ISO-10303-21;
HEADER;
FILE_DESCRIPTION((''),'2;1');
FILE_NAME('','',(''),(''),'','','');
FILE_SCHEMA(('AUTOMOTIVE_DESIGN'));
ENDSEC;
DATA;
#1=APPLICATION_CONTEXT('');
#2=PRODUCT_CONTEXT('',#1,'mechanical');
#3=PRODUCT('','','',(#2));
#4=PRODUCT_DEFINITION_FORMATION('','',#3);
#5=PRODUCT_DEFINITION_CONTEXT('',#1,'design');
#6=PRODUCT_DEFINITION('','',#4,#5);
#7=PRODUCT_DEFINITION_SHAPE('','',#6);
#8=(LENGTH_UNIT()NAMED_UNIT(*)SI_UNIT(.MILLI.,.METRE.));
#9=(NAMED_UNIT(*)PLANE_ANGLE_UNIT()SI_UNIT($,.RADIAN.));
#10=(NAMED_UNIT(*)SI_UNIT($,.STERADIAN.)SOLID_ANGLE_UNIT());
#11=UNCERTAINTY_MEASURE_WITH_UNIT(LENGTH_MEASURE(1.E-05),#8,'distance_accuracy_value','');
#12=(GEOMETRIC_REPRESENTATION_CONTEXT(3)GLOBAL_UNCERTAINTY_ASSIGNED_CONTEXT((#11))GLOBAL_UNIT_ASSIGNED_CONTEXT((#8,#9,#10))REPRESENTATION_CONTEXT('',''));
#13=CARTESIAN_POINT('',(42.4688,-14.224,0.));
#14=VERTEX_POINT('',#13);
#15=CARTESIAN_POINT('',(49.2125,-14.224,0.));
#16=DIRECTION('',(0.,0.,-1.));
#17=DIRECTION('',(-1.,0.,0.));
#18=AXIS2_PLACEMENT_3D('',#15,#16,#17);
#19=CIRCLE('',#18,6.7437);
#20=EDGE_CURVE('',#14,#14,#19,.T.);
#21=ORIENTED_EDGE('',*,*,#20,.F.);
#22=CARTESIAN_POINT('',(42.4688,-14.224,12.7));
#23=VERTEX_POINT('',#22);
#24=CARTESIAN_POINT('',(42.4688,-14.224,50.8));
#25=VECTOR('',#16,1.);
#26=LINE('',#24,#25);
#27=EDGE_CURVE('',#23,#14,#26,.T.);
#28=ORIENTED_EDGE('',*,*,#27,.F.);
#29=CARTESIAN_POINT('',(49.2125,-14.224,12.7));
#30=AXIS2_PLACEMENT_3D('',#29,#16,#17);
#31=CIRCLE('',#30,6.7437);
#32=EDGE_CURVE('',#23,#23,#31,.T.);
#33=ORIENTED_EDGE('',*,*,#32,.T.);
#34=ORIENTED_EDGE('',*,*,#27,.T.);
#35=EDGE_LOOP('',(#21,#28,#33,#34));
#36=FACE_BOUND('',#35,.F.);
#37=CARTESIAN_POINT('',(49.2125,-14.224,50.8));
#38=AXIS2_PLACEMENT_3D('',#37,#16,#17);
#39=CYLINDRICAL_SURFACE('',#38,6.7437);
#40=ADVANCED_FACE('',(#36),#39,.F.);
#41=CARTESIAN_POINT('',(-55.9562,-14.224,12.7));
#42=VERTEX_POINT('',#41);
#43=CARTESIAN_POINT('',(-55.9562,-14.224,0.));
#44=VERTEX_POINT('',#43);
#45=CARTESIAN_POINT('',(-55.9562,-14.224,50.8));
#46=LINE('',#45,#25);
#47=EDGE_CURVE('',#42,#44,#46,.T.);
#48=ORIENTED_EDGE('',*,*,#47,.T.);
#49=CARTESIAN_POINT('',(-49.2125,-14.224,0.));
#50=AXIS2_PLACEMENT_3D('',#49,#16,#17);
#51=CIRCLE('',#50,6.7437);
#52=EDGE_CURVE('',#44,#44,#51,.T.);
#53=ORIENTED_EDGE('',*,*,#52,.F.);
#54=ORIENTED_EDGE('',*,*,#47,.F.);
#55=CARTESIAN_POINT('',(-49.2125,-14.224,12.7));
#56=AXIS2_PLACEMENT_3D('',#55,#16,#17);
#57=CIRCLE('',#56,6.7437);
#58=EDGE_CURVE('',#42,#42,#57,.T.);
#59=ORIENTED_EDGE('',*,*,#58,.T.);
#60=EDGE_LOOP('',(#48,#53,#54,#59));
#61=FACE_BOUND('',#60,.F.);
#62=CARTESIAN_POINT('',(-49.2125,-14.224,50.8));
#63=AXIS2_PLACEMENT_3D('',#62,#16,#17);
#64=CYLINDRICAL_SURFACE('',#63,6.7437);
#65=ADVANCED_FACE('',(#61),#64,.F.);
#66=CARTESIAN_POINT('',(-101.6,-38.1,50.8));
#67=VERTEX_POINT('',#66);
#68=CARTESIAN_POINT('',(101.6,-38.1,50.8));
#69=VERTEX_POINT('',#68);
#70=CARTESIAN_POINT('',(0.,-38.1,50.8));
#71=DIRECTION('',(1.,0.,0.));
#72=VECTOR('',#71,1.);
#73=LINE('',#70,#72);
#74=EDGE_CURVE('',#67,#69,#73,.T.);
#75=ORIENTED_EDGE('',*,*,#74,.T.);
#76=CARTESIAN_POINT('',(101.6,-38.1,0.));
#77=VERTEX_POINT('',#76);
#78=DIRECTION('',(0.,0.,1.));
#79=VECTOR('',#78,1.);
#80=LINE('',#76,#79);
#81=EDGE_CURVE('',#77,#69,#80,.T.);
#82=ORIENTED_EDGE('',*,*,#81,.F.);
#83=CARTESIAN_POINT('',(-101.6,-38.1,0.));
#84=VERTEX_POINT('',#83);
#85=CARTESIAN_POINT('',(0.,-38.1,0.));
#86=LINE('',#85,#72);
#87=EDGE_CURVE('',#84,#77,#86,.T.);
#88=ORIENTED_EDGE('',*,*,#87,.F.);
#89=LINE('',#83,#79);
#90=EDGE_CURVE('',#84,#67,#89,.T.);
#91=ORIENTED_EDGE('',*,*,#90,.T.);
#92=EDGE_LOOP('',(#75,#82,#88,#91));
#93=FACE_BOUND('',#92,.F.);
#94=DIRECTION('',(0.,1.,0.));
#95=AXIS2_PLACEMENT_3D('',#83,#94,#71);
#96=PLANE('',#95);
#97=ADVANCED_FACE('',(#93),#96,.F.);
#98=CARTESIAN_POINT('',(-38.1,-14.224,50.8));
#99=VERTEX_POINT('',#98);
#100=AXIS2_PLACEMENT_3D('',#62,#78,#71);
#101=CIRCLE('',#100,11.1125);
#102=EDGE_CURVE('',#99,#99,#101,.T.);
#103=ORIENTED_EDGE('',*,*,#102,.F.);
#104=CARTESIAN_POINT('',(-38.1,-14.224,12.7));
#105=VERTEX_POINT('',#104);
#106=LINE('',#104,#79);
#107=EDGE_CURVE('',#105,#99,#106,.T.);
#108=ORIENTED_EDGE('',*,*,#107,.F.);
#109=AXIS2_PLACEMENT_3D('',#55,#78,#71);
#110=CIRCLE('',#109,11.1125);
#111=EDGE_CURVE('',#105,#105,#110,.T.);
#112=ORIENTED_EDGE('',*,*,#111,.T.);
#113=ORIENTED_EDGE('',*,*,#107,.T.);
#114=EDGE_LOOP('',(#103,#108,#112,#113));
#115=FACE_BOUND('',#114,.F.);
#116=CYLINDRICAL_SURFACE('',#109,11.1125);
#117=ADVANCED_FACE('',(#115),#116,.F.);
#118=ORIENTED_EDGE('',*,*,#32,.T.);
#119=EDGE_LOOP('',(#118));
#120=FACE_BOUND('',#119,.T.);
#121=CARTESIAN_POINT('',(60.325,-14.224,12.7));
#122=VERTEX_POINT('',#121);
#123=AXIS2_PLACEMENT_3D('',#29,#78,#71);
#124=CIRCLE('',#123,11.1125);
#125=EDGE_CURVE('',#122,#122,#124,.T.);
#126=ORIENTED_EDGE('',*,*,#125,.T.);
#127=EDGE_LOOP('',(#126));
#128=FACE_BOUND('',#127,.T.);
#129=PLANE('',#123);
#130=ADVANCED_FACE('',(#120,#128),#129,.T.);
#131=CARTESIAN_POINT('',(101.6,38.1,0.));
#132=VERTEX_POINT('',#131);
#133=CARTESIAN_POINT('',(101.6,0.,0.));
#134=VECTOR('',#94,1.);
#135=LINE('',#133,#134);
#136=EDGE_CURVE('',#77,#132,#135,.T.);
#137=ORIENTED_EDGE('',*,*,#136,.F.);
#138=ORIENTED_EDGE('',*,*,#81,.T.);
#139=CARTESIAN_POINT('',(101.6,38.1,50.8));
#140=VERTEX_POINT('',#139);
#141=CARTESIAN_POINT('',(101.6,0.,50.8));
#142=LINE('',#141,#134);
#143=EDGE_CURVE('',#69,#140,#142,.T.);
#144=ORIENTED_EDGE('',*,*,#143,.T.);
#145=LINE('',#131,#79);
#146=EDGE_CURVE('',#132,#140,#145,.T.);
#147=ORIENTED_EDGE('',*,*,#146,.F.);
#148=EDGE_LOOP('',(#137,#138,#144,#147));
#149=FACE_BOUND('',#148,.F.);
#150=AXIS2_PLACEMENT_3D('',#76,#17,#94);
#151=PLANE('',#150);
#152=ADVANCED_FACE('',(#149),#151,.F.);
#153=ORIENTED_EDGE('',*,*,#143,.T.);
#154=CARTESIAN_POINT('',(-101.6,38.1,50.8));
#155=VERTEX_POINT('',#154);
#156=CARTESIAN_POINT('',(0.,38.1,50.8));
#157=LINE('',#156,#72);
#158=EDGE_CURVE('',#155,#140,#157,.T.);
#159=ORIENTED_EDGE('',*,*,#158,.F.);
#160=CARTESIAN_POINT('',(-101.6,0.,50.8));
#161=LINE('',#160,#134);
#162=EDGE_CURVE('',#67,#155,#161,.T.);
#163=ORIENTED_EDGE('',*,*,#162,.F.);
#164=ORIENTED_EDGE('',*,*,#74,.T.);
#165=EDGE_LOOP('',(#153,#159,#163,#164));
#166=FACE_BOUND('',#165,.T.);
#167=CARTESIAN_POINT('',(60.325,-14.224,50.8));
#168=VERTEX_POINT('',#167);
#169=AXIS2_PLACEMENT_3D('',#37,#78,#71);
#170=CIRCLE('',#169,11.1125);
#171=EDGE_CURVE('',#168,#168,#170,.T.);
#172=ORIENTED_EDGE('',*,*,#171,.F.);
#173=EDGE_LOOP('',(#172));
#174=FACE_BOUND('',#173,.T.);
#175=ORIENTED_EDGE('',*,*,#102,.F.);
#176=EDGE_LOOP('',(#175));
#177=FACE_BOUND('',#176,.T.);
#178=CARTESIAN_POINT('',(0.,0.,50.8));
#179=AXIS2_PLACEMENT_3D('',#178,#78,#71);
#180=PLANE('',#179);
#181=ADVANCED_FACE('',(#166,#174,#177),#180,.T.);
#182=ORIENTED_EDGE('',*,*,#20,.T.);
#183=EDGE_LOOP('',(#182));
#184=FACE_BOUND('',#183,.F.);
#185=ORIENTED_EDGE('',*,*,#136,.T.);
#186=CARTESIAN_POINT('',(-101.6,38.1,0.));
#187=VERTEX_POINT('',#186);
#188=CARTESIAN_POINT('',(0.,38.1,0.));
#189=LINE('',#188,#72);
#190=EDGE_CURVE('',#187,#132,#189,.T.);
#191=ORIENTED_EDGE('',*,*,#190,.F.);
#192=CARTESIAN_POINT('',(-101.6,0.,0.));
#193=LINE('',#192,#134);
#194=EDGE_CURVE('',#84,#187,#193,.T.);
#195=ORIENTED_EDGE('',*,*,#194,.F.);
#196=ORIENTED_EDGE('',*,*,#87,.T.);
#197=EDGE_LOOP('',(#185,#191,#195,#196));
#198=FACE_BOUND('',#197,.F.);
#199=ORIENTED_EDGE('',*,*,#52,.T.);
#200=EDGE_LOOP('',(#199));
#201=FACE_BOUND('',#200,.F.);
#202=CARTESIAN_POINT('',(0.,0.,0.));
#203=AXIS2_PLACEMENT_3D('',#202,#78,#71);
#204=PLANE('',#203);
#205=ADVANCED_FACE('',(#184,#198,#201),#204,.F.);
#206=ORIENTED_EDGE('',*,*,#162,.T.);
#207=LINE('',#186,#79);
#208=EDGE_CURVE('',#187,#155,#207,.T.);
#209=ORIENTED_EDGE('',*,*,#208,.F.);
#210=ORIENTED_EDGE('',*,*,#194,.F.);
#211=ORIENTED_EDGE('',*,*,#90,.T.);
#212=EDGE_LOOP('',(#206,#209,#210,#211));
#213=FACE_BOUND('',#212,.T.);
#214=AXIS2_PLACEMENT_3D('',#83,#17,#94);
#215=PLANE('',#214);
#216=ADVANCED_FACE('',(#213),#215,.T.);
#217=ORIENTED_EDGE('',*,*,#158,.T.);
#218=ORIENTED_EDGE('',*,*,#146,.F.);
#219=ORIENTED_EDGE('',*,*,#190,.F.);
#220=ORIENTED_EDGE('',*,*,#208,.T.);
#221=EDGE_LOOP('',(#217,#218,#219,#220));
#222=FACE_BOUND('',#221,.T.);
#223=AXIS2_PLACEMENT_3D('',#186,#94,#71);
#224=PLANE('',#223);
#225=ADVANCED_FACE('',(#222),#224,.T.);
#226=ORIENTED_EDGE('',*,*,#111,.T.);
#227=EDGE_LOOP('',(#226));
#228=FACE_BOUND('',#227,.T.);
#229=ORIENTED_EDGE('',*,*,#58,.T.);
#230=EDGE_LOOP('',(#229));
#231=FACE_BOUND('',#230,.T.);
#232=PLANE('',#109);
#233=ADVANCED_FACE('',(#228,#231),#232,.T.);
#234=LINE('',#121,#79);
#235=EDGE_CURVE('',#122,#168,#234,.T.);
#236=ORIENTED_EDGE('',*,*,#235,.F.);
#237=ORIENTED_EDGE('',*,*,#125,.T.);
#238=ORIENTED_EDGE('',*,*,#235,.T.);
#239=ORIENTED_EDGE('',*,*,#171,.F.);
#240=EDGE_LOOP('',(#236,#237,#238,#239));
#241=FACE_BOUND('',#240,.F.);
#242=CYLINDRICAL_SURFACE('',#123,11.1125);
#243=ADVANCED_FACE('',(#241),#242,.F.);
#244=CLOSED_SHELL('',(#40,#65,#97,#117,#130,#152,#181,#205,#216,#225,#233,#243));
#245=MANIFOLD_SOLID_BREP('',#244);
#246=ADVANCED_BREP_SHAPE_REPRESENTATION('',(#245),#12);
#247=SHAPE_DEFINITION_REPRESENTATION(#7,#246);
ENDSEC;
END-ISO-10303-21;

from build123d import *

# Parameters (mm, degrees)
F0_W           = 203.2
F0_H           = 76.2
F1_DEPTH       = 50.8
F3_D           = 13.4874
F3_CBORE_D     = 22.225
F3_CBORE_DEPTH = 38.1


with BuildPart() as f1:
    # F0 (on Top) → F1 (new body)
    with BuildSketch(Plane.XY):
        Rectangle(F0_W, F0_H)
    extrude(amount=F1_DEPTH)

    # F3 (through all)
    with Locations(Plane.XY.offset(50.8)):
        with Locations((-49.2125, -14.224), (49.2125, -14.224)):
            CounterBoreHole(F3_D / 2, F3_CBORE_D / 2, F3_CBORE_DEPTH)


solid = f1.part
